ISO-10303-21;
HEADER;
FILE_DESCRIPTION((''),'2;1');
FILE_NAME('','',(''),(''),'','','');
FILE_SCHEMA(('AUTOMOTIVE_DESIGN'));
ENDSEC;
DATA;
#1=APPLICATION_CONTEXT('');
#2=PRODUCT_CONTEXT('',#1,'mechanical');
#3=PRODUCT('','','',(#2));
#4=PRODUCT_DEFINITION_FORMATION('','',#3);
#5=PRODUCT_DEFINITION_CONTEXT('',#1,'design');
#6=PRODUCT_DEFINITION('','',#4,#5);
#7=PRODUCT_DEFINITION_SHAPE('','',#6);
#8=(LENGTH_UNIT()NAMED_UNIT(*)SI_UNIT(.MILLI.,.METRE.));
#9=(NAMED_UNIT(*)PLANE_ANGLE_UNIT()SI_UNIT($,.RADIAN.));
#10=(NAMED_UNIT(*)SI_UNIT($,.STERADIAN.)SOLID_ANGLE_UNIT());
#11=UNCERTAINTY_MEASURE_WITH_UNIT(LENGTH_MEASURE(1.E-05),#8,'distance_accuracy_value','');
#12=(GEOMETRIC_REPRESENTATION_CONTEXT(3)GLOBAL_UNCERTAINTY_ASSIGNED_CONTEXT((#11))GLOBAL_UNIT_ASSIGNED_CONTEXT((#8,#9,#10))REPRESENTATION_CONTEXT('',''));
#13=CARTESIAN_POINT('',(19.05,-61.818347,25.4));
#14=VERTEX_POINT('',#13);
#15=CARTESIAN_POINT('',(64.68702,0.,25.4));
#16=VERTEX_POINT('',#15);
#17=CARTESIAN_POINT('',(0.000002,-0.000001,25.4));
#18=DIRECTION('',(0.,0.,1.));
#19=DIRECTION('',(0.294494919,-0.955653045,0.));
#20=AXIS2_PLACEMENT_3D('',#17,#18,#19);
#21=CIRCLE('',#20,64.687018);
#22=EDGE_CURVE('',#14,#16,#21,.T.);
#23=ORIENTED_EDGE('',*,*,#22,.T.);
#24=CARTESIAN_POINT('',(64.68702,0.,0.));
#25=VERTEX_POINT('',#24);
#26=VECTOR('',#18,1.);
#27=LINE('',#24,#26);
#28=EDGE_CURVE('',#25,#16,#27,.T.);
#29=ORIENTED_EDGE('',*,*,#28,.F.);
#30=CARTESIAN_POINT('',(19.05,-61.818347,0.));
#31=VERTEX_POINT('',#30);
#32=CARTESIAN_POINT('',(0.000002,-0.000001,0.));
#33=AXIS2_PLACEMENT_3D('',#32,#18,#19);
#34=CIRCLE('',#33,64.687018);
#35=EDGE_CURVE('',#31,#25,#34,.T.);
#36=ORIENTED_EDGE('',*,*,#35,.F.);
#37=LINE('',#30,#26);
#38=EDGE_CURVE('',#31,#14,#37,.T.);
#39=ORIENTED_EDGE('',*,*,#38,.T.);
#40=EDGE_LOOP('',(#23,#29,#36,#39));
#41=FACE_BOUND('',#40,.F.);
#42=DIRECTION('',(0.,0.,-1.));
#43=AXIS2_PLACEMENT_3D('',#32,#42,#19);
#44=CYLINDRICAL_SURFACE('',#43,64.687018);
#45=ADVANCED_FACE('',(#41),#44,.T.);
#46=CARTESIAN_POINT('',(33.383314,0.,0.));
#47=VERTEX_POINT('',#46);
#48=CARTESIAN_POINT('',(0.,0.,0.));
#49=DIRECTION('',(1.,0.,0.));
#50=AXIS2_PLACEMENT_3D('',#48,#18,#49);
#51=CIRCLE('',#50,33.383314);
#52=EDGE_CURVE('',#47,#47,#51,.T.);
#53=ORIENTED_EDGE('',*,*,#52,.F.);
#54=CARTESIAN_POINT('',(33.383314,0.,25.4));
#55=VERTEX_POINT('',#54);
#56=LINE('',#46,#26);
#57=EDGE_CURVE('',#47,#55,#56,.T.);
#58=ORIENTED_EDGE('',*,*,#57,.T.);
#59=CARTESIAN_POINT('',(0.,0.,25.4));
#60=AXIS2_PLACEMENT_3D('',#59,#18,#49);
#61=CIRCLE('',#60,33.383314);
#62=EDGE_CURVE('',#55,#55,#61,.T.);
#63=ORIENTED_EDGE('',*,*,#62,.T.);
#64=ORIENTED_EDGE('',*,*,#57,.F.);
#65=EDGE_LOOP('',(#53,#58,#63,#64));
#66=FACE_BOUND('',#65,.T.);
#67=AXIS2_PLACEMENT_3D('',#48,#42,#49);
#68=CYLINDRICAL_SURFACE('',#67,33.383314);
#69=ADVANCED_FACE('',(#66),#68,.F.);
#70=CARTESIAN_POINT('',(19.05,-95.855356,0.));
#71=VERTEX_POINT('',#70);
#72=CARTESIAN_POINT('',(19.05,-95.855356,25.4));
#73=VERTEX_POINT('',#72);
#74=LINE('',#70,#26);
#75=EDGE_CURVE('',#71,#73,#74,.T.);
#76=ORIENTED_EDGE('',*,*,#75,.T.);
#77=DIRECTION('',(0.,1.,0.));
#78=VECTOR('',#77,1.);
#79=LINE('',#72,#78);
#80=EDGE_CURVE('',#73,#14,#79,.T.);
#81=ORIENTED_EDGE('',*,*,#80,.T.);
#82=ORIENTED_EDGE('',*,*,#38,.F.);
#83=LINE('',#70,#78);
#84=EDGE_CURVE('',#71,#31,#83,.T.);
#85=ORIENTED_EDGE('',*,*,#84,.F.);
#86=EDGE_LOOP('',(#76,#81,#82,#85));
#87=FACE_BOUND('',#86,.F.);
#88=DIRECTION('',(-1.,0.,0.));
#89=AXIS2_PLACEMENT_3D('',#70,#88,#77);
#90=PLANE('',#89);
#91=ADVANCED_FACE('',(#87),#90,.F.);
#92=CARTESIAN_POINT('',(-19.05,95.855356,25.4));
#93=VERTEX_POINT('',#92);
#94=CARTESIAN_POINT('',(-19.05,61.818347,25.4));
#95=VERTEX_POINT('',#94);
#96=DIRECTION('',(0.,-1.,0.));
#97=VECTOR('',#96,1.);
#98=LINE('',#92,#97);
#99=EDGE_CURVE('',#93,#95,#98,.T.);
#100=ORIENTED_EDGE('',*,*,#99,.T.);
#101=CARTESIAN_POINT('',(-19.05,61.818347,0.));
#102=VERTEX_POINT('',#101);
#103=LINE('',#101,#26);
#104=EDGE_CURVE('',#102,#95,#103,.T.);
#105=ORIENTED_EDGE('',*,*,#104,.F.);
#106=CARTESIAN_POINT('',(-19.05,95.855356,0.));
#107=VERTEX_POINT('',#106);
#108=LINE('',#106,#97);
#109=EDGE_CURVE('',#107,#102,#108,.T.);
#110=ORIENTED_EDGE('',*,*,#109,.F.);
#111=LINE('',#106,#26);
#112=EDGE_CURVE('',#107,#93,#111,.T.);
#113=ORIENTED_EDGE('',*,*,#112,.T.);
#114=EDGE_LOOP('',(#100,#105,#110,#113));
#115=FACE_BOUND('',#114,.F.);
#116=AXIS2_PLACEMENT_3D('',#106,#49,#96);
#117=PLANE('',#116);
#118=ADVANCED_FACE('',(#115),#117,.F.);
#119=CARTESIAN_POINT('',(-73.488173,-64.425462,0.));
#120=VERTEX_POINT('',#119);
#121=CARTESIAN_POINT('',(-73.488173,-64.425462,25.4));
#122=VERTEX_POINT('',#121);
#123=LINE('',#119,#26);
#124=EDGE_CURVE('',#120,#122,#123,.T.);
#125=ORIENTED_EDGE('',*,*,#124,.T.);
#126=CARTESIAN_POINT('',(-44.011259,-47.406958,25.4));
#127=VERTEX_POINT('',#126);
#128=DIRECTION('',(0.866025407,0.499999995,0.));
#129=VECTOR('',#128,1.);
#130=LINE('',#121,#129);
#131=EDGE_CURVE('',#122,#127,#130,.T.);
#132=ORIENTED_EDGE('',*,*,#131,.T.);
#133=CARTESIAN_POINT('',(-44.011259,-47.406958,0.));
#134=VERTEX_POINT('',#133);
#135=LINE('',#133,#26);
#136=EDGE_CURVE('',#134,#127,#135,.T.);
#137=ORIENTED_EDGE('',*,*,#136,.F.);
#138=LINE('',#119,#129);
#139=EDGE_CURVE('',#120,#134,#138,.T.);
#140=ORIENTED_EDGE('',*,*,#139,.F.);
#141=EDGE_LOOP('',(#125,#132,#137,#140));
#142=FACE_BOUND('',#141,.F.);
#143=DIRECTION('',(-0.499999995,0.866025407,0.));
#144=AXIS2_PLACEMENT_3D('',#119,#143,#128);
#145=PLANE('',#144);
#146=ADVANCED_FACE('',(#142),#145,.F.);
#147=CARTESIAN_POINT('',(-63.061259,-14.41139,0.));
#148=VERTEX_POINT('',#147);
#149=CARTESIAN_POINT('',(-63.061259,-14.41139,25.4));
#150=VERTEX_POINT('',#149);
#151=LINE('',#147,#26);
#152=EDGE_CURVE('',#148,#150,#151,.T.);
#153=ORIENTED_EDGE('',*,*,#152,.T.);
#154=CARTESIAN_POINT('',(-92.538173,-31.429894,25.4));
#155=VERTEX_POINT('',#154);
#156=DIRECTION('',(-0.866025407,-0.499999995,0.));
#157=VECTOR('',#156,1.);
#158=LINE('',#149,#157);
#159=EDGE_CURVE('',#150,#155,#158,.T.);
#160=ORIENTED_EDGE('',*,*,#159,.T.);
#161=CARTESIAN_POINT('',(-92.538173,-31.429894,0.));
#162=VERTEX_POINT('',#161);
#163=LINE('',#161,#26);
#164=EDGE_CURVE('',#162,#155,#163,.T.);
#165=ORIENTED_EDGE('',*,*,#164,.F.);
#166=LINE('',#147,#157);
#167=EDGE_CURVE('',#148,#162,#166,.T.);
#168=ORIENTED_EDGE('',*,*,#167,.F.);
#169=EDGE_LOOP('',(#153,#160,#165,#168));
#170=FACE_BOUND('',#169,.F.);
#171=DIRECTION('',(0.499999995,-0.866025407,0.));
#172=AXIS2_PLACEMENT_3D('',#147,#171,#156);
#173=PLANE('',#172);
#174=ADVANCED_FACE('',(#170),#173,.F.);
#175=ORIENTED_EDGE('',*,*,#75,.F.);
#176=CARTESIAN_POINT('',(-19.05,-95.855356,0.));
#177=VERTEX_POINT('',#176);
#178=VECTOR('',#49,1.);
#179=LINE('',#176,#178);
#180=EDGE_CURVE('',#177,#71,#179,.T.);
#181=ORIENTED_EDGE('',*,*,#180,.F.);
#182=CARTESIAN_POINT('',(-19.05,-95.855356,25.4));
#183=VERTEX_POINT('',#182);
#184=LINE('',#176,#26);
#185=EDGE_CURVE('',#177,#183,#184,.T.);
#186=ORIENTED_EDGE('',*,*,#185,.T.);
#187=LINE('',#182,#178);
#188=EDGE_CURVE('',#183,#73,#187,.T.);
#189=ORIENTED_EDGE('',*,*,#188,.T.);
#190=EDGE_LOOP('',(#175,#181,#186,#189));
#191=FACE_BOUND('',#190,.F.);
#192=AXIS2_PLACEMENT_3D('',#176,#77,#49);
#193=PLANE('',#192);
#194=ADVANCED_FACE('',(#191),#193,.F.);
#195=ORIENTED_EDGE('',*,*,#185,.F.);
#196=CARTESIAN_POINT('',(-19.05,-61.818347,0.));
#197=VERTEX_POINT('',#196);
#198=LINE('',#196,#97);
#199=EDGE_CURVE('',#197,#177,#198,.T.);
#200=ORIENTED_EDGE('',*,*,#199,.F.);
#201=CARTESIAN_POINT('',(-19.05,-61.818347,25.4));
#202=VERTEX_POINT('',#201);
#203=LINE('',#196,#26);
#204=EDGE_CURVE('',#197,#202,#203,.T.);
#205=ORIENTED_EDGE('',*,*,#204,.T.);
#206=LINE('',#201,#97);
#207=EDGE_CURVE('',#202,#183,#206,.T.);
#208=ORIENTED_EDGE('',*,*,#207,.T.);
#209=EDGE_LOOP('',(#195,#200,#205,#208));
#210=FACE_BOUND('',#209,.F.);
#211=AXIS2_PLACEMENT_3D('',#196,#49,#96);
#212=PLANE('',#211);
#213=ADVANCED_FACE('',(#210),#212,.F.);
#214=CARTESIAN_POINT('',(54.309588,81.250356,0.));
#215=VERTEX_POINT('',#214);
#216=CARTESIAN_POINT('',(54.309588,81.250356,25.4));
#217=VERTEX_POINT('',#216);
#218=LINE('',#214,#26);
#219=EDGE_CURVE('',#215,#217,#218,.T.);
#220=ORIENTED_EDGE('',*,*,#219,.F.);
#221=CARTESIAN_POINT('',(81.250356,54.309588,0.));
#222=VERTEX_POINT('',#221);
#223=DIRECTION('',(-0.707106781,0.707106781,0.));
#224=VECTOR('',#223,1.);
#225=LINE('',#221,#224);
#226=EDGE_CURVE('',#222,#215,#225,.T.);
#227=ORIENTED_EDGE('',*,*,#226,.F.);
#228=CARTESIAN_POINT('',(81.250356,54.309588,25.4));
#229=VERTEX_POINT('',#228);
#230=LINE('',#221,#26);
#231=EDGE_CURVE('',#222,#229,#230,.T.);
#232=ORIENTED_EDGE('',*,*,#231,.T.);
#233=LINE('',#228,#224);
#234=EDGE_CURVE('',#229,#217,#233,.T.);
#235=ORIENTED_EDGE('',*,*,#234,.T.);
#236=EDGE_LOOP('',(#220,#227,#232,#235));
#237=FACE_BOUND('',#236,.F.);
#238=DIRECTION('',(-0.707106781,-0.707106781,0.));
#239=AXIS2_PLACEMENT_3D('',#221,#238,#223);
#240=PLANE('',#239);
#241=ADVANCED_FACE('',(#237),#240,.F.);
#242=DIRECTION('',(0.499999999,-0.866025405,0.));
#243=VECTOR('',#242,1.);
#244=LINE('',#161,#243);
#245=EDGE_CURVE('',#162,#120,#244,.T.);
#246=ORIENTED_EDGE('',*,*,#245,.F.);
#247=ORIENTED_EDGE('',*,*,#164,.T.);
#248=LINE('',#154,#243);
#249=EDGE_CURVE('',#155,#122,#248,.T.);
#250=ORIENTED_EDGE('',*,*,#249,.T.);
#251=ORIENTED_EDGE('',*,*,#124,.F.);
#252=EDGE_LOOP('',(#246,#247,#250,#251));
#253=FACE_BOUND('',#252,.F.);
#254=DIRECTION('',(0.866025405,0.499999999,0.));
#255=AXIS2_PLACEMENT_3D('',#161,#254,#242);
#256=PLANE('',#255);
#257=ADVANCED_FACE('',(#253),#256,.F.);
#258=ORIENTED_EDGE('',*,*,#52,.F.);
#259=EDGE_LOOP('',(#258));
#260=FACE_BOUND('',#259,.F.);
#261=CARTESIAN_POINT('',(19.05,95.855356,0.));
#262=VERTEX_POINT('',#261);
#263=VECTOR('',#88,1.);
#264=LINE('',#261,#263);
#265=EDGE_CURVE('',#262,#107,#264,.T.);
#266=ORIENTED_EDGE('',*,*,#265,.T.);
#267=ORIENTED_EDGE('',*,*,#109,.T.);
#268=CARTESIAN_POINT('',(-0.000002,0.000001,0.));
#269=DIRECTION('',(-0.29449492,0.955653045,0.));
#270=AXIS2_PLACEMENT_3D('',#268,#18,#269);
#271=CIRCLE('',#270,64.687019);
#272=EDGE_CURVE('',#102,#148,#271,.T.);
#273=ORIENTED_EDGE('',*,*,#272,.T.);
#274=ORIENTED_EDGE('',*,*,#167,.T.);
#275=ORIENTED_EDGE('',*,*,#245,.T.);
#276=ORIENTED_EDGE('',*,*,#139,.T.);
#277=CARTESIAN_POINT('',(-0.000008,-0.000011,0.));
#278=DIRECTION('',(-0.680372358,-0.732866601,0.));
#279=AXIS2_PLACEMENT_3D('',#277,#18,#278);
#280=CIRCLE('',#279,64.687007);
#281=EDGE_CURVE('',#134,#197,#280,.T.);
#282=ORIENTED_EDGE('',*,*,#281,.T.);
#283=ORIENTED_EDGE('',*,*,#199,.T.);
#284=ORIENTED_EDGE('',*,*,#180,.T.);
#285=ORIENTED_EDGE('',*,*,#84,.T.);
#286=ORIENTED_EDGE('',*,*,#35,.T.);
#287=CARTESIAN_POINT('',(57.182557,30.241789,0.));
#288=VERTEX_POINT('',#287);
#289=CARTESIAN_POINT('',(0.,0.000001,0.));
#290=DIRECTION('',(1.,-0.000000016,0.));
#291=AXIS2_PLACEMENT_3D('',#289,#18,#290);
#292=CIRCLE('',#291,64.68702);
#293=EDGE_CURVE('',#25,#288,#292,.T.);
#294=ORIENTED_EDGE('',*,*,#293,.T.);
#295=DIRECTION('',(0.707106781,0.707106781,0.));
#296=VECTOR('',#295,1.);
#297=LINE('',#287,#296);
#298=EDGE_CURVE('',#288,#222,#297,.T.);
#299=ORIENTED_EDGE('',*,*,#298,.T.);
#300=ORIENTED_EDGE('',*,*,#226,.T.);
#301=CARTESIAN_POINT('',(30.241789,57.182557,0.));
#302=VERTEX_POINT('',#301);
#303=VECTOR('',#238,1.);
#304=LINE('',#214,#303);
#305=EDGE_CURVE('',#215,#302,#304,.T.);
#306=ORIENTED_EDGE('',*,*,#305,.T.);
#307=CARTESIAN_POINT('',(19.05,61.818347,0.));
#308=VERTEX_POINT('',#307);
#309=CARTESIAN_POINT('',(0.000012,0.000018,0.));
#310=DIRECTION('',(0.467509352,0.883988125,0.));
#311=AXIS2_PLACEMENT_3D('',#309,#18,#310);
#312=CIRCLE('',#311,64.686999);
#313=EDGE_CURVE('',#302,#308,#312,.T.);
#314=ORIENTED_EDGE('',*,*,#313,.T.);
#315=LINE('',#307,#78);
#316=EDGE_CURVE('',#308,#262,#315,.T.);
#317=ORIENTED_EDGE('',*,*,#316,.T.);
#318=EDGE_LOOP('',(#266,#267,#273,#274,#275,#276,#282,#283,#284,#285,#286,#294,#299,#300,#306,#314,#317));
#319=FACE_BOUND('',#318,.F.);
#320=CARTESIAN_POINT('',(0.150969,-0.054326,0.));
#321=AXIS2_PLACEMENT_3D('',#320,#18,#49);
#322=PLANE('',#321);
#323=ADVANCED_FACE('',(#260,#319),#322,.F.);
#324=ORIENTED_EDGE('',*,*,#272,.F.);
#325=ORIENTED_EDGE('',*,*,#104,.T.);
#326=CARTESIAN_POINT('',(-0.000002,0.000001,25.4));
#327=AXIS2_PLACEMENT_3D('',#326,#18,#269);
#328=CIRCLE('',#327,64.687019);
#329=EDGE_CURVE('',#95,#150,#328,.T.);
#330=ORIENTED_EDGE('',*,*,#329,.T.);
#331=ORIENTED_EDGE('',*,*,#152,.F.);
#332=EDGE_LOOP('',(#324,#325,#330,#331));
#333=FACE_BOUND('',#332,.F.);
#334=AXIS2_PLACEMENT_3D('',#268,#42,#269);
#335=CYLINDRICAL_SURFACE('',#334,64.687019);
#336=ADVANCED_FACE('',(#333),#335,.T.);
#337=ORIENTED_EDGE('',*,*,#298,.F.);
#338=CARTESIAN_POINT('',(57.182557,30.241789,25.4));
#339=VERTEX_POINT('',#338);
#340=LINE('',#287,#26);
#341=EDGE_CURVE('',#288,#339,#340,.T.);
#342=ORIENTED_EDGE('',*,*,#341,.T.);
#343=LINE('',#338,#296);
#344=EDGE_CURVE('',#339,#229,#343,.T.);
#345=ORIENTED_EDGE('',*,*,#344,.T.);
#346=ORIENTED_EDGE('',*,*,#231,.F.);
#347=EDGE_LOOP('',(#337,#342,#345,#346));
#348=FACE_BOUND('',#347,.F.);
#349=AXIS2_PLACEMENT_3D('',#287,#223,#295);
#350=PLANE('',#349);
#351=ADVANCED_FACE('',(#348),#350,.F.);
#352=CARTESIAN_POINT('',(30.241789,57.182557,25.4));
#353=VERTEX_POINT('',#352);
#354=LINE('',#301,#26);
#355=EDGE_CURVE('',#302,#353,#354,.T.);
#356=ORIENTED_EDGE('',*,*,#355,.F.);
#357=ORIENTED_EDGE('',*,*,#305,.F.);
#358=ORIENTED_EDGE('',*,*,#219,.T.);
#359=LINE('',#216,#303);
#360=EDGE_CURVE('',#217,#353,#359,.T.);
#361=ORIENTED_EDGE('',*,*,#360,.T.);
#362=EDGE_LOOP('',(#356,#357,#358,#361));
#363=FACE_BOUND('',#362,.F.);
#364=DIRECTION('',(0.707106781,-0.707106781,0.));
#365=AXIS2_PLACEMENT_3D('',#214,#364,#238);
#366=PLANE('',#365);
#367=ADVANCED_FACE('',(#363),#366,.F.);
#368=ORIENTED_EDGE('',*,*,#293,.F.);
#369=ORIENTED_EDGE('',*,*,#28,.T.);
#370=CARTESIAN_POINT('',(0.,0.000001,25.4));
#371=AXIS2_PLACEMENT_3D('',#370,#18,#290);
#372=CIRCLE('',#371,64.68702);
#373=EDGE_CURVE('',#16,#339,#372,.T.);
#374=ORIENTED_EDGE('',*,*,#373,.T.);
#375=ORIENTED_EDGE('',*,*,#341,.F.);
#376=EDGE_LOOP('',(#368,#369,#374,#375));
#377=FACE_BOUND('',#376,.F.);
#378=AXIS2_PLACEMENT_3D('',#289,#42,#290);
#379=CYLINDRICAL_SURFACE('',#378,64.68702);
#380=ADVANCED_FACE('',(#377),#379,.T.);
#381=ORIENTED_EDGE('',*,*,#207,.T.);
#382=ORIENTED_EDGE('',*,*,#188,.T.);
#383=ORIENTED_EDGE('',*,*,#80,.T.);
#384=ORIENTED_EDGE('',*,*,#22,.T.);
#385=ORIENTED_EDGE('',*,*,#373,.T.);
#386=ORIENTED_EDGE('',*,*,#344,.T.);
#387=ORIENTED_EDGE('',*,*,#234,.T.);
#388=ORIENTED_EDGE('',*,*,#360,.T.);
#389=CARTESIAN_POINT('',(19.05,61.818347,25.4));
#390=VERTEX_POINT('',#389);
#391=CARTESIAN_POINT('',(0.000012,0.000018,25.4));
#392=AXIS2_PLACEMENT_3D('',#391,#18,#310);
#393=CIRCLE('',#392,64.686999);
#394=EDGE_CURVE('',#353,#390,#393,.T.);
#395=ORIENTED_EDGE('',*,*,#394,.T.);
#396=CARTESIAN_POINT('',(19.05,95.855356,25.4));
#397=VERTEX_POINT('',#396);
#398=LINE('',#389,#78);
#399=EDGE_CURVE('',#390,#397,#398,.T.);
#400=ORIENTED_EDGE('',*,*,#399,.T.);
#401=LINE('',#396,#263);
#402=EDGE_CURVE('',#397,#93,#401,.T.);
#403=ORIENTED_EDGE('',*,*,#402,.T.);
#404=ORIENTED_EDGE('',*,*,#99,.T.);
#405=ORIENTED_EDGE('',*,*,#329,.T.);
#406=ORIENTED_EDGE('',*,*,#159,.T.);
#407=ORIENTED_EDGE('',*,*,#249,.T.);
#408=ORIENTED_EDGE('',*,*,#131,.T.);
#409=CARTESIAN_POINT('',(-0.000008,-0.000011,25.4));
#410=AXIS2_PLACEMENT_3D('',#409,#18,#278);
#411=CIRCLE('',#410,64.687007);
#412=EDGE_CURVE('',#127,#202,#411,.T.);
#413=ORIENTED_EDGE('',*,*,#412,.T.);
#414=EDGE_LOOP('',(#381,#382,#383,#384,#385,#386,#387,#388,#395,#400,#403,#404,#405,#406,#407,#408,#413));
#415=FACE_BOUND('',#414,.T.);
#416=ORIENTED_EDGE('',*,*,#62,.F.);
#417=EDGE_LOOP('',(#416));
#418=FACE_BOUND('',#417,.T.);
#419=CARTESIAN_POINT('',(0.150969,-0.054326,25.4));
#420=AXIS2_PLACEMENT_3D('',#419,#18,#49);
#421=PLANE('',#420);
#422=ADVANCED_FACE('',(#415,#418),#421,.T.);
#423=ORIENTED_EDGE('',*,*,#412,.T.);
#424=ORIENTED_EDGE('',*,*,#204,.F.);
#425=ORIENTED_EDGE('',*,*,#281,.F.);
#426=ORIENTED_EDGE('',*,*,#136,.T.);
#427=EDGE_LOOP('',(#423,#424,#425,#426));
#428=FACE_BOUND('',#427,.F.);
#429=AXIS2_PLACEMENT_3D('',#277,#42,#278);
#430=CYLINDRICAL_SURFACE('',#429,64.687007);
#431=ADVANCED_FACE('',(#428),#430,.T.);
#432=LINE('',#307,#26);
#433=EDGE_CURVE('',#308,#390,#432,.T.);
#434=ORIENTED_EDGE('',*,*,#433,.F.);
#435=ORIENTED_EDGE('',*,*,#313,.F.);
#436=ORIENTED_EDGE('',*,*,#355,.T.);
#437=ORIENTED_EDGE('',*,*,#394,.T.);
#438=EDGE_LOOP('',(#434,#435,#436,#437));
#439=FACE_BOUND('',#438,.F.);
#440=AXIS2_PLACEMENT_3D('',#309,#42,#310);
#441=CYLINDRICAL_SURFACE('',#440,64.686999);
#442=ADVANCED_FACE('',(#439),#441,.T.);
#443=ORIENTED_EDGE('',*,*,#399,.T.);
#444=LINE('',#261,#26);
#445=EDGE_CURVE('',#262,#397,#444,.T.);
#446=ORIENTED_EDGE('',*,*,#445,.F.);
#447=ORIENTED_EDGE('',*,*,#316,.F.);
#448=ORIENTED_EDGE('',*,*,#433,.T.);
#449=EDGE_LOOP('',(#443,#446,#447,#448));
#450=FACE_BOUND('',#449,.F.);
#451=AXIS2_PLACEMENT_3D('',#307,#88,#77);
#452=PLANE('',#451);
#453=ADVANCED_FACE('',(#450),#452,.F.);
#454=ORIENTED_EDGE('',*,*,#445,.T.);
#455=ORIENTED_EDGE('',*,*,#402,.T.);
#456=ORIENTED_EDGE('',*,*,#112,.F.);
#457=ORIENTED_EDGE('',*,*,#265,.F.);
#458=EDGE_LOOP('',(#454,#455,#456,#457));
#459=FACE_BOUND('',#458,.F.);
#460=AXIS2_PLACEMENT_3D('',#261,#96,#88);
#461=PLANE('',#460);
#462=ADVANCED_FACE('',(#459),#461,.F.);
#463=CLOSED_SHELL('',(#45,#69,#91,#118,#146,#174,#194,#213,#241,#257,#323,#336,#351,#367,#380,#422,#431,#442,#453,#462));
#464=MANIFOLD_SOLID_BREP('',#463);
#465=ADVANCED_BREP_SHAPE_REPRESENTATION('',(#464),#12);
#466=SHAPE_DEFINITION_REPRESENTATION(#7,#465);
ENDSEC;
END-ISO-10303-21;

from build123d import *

# Parameters (mm, degrees)
F0_R     = 33.383314
F1_DEPTH = 25.4


with BuildPart() as f1:
    # F0 (on Top) → F1 (new body)
    with BuildSketch(Plane.XY):
        with BuildLine():
            ThreePointArc((19.05, -61.818347), (52.041802, -38.419545), (64.68702, 0))
            ThreePointArc((64.68702, 0), (62.782879, 15.579496), (57.182557, 30.241789))
            ThreePointArc((57.182557, 30.241789), (45.740631, 45.740631), (30.241789, 57.182557))
            ThreePointArc((30.241789, 57.182557), (24.754651, 59.763014), (19.05, 61.818347))
            ThreePointArc((19.05, 61.818347), (0, 64.68702), (-19.05, 61.818347))
            ThreePointArc((-19.05, 61.818347), (-56.020603, 32.34351), (-63.061259, -14.41139))
            ThreePointArc((-63.061259, -14.41139), (-56.020603, -32.34351), (-44.011259, -47.406958))
            ThreePointArc((-44.011259, -47.406958), (-32.34351, -56.020603), (-19.05, -61.818347))
            ThreePointArc((-19.05, -61.818347), (0, -64.68702), (19.05, -61.818347))
        make_face()
        Circle(F0_R, mode=Mode.SUBTRACT)
        with BuildLine():
            ThreePointArc((30.241789, 57.182557), (45.740631, 45.740631), (57.182557, 30.241789))
            Line((57.182557, 30.241789), (81.250356, 54.309588))
            Line((81.250356, 54.309588), (67.779972, 67.779972))
            Line((67.779972, 67.779972), (54.309588, 81.250356))
            Line((54.309588, 81.250356), (30.241789, 57.182557))
        make_face()
        with BuildLine():
            Line((19.05, -95.855356), (19.05, -61.818347))
            ThreePointArc((19.05, -61.818347), (0, -64.68702), (-19.05, -61.818347))
            Line((-19.05, -61.818347), (-19.05, -95.855356))
            Line((-19.05, -95.855356), (0, -95.855356))
            Line((0, -95.855356), (19.05, -95.855356))
        make_face()
        with BuildLine():
            ThreePointArc((-19.05, 61.818347), (0, 64.68702), (19.05, 61.818347))
            Line((19.05, 61.818347), (19.05, 95.855356))
            Line((19.05, 95.855356), (0, 95.855356))
            Line((0, 95.855356), (-19.05, 95.855356))
            Line((-19.05, 95.855356), (-19.05, 61.818347))
        make_face()
        with BuildLine():
            Line((-73.488173, -64.425462), (-44.011259, -47.406958))
            ThreePointArc((-44.011259, -47.406958), (-56.020603, -32.34351), (-63.061259, -14.41139))
            Line((-63.061259, -14.41139), (-92.538173, -31.429894))
            Line((-92.538173, -31.429894), (-83.013173, -47.927678))
            Line((-83.013173, -47.927678), (-73.488173, -64.425462))
        make_face()
    extrude(amount=F1_DEPTH)


solid = f1.part
